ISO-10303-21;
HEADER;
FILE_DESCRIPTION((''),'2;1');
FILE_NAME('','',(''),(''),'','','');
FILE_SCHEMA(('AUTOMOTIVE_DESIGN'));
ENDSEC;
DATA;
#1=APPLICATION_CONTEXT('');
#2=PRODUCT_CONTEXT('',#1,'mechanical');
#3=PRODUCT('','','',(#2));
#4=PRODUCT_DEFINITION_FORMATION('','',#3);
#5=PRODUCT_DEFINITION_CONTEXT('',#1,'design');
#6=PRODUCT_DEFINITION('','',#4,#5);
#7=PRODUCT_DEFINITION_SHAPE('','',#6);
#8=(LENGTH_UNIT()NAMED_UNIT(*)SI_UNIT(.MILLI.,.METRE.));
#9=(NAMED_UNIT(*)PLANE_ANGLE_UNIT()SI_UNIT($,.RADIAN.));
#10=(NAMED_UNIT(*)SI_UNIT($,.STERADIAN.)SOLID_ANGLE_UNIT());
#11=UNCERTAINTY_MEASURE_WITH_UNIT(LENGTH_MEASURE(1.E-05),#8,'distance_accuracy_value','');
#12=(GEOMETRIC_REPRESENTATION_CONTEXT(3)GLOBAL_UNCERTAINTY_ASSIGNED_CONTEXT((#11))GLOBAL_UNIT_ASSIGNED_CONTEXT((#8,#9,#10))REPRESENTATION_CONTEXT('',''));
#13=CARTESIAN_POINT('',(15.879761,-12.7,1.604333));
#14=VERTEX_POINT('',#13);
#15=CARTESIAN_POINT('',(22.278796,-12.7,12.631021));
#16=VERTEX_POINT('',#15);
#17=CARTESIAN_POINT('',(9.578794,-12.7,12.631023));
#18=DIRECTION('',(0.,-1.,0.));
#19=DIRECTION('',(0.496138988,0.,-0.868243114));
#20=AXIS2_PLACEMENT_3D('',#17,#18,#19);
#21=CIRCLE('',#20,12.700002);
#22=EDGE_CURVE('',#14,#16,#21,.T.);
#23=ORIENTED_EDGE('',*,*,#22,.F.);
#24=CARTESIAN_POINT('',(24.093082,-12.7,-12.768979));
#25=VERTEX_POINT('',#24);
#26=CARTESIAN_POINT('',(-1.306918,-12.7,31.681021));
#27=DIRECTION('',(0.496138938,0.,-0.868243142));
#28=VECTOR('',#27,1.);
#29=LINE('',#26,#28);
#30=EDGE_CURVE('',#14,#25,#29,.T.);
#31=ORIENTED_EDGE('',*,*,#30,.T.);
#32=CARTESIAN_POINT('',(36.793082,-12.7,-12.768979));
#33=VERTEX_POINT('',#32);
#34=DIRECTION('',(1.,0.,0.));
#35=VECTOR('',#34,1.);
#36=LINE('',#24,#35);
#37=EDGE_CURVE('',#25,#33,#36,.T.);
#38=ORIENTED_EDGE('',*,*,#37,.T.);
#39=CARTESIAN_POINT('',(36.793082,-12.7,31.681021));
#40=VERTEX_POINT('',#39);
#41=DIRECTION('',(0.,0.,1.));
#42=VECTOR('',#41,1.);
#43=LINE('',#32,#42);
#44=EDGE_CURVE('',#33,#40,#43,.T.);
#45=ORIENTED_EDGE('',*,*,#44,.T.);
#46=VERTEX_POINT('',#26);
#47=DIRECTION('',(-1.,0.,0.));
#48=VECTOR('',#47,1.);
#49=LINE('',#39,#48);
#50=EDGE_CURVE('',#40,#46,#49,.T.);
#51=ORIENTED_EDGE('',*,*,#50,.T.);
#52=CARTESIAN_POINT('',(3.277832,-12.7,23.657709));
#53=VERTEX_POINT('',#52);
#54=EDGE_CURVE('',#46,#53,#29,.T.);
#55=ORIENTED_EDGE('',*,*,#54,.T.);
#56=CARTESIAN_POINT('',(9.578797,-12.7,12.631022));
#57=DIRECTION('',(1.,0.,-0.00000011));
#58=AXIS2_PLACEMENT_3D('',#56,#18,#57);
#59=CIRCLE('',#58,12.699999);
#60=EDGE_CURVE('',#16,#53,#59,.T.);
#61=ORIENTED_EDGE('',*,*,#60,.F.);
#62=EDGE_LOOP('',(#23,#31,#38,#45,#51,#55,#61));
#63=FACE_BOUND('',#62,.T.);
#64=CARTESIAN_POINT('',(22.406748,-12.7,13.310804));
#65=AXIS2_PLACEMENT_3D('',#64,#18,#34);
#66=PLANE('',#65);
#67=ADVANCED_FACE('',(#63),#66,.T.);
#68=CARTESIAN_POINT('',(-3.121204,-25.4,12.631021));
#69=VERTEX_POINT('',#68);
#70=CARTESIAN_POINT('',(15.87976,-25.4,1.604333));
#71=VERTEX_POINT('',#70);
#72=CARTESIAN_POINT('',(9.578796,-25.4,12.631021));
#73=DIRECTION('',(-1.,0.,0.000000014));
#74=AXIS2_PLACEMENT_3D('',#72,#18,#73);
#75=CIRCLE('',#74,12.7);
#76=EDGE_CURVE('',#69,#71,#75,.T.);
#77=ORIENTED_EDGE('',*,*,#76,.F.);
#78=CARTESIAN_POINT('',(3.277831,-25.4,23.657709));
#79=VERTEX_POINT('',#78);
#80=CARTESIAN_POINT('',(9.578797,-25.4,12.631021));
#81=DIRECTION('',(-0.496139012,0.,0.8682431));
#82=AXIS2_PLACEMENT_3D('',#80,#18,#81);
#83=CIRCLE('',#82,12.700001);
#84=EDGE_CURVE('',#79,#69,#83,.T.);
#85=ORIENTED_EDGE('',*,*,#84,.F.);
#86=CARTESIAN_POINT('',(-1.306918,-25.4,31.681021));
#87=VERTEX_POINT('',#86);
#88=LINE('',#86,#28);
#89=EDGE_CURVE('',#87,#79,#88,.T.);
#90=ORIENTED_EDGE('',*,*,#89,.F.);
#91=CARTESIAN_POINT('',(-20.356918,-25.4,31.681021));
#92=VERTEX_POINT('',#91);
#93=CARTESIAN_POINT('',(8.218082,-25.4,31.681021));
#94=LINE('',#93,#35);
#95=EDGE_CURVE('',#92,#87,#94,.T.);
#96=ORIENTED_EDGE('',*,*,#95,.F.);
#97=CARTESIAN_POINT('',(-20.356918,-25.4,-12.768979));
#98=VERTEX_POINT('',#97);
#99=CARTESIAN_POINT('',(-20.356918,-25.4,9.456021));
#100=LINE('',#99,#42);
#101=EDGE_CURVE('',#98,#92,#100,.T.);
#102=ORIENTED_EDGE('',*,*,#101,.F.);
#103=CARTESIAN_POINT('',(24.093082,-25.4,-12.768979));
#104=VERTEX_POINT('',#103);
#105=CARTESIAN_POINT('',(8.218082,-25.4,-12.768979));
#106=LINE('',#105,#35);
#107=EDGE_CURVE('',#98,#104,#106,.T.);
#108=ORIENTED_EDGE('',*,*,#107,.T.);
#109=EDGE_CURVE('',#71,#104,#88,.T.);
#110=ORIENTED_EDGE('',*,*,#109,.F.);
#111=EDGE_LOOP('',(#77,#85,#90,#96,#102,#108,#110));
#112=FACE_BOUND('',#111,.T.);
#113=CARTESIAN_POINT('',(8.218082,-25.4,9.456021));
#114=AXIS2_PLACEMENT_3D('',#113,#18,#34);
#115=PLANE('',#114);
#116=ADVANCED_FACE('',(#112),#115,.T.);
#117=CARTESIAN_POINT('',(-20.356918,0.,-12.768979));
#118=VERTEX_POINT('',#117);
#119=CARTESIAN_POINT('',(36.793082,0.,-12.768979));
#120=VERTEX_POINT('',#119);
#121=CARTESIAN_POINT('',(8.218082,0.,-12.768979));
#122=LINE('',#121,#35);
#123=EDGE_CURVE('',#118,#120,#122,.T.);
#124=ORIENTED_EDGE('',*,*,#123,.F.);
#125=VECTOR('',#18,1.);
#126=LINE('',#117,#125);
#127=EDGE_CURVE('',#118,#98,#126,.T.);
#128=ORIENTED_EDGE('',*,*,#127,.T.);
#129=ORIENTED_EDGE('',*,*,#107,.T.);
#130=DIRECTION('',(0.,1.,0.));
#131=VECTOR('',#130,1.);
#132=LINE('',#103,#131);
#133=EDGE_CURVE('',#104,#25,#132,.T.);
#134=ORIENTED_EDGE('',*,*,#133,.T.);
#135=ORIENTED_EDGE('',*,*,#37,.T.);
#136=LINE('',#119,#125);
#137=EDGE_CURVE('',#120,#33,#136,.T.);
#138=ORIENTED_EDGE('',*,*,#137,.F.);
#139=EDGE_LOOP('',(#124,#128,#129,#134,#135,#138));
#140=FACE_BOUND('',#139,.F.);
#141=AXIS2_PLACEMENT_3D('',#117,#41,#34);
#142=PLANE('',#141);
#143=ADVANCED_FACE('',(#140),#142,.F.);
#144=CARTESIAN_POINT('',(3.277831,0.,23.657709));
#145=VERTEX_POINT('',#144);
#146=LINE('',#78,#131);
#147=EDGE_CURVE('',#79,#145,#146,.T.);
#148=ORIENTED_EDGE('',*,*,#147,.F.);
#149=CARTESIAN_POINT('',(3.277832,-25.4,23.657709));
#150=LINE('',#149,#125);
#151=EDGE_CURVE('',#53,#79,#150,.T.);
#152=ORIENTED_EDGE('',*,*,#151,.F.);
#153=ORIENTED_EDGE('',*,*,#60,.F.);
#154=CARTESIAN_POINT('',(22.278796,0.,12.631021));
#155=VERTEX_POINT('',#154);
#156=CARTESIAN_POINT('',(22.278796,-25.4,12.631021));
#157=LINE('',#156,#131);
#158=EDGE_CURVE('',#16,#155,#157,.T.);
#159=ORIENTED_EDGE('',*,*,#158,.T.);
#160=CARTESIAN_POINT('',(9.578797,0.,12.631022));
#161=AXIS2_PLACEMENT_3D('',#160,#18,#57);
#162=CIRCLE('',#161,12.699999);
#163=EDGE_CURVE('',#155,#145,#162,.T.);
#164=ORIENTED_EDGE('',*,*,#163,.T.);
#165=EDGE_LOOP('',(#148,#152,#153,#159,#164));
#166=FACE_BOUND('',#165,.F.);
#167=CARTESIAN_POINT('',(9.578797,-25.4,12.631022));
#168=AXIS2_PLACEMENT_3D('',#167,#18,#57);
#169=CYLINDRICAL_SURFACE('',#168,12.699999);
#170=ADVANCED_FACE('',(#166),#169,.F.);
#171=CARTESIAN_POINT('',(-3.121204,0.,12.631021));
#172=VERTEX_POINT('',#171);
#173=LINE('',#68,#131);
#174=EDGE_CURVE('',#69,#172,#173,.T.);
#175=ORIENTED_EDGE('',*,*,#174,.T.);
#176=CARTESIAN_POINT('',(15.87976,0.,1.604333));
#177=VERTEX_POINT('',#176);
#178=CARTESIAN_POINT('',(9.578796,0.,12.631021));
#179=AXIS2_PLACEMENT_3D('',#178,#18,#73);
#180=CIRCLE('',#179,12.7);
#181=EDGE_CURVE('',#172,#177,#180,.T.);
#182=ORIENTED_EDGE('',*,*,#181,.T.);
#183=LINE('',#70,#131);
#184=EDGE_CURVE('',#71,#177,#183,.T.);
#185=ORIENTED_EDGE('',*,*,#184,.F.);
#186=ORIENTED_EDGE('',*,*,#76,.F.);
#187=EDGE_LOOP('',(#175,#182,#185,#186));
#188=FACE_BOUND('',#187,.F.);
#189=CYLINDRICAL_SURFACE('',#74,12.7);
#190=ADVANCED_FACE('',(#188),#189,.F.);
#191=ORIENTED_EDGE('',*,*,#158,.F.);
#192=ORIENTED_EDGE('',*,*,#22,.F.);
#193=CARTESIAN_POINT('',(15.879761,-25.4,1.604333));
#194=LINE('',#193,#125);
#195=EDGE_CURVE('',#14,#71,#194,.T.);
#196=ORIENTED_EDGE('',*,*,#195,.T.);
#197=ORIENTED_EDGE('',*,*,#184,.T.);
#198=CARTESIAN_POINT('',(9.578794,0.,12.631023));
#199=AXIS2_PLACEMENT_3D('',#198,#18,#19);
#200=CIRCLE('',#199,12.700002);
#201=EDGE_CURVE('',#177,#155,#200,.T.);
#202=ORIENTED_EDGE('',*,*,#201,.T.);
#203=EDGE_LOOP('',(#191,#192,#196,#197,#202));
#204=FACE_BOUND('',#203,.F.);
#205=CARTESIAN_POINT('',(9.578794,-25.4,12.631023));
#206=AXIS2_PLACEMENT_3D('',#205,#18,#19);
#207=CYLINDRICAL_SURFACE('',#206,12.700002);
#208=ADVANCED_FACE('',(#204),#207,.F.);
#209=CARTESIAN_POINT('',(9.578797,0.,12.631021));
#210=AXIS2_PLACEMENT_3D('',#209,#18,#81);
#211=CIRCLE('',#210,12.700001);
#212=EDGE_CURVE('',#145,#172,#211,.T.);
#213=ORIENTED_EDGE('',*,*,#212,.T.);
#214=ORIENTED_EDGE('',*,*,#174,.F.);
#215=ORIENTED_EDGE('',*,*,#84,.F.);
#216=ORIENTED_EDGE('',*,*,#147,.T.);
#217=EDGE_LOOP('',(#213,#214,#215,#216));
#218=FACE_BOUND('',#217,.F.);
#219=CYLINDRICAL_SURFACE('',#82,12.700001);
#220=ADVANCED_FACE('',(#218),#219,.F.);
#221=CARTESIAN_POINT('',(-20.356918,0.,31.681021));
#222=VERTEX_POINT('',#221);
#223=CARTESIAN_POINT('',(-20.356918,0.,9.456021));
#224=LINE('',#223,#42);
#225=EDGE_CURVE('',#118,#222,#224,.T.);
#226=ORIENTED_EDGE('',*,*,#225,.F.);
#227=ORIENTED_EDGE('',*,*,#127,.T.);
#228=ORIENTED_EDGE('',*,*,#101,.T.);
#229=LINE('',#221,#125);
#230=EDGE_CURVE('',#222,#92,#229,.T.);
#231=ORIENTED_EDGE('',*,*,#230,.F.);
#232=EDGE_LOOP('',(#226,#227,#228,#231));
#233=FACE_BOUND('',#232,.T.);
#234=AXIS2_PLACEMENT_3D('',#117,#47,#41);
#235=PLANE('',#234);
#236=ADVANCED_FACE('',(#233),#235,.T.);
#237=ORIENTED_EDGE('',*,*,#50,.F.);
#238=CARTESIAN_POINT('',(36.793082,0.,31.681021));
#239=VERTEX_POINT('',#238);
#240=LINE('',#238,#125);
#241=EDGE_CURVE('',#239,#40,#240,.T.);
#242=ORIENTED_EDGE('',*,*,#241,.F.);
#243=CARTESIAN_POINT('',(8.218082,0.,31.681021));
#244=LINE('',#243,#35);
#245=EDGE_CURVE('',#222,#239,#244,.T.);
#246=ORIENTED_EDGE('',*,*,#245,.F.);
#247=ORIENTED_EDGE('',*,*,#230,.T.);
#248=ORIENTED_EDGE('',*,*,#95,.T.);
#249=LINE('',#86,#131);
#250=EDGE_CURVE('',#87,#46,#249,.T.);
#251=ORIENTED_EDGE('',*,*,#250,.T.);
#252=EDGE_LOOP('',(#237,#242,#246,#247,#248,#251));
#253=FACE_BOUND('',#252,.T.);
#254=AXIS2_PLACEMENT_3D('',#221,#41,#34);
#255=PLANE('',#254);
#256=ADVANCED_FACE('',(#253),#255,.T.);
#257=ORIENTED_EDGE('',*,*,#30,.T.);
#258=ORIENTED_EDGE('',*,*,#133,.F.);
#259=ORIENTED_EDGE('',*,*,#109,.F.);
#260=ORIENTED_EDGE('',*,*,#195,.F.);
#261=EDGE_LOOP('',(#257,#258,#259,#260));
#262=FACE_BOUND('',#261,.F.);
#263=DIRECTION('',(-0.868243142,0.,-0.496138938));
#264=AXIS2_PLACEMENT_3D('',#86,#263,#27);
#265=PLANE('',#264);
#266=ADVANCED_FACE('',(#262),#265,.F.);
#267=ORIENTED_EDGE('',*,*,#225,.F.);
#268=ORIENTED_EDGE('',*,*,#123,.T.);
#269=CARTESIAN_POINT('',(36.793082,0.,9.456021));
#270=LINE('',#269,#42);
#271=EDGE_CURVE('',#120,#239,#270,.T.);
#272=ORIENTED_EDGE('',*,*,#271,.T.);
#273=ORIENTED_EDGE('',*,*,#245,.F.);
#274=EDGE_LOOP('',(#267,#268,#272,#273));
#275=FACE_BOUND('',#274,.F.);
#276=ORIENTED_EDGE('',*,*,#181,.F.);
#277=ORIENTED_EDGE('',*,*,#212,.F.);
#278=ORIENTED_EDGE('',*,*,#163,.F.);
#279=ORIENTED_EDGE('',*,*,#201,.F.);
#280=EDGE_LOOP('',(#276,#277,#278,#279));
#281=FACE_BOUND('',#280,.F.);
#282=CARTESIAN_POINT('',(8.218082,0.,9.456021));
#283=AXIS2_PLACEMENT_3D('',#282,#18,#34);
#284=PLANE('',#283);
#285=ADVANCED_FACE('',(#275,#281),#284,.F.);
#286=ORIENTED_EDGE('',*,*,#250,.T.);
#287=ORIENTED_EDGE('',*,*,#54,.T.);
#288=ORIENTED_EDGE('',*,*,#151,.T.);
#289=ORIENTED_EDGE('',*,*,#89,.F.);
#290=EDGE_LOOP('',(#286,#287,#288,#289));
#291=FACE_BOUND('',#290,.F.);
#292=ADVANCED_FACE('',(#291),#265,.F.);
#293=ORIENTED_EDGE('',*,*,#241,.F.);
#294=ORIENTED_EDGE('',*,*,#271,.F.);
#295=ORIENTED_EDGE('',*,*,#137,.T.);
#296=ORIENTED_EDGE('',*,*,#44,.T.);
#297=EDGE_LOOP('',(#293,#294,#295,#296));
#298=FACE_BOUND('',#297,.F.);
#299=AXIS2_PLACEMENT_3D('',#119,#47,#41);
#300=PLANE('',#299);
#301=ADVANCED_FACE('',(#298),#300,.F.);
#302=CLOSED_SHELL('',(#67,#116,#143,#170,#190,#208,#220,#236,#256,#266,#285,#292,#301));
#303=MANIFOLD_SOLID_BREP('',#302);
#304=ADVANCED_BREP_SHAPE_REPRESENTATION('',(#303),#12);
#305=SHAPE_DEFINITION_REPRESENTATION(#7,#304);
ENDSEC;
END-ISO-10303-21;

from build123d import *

# Parameters (mm, degrees)
F0_W     = 57.15
F0_H     = 44.45
F1_DEPTH = 25.4
F3_DEPTH = 12.7
F5_DEPTH = 25.4


with BuildPart() as f1:
    # F0 (on Front) → F1 (new body)
    with BuildSketch(Plane.XZ):
        with Locations((8.218082, 9.456021)):
            Rectangle(F0_W, F0_H)
    extrude(amount=F1_DEPTH)

    # F2 (on face) → F3 (cut)
    with BuildSketch(Plane.XZ.offset(25.4)):
        Polygon((36.793082, 31.681021), (-1.306918, 31.681021), (24.093082, -12.768979), (36.793082, -12.768979), align=None)
    extrude(amount=-F3_DEPTH, mode=Mode.SUBTRACT)

    # F4 (on face) → F5 (cut)
    with BuildSketch(Plane.XZ.offset(25.4)):
        with BuildLine():
            Line((3.277831, 23.657709), (9.578796, 12.631021))
            Line((9.578796, 12.631021), (22.278796, 12.631021))
            ThreePointArc((22.278796, 12.631021), (15.953267, 23.61538), (3.277831, 23.657709))
        make_face()
        with BuildLine():
            Line((9.578796, 12.631021), (-3.121204, 12.631021))
            ThreePointArc((-3.121204, 12.631021), (3.204325, 1.646663), (15.87976, 1.604333))
            Line((15.87976, 1.604333), (9.578796, 12.631021))
        make_face()
        with BuildLine():
            Line((9.578796, 12.631021), (15.87976, 1.604333))
            ThreePointArc((15.87976, 1.604333), (20.563154, 6.256551), (22.278796, 12.631021))
            Line((22.278796, 12.631021), (9.578796, 12.631021))
        make_face()
        with BuildLine():
            ThreePointArc((3.277831, 23.657709), (-1.405562, 19.005492), (-3.121204, 12.631021))
            Line((-3.121204, 12.631021), (9.578796, 12.631021))
            Line((9.578796, 12.631021), (3.277831, 23.657709))
        make_face()
    extrude(amount=-F5_DEPTH, mode=Mode.SUBTRACT)


solid = f1.part
